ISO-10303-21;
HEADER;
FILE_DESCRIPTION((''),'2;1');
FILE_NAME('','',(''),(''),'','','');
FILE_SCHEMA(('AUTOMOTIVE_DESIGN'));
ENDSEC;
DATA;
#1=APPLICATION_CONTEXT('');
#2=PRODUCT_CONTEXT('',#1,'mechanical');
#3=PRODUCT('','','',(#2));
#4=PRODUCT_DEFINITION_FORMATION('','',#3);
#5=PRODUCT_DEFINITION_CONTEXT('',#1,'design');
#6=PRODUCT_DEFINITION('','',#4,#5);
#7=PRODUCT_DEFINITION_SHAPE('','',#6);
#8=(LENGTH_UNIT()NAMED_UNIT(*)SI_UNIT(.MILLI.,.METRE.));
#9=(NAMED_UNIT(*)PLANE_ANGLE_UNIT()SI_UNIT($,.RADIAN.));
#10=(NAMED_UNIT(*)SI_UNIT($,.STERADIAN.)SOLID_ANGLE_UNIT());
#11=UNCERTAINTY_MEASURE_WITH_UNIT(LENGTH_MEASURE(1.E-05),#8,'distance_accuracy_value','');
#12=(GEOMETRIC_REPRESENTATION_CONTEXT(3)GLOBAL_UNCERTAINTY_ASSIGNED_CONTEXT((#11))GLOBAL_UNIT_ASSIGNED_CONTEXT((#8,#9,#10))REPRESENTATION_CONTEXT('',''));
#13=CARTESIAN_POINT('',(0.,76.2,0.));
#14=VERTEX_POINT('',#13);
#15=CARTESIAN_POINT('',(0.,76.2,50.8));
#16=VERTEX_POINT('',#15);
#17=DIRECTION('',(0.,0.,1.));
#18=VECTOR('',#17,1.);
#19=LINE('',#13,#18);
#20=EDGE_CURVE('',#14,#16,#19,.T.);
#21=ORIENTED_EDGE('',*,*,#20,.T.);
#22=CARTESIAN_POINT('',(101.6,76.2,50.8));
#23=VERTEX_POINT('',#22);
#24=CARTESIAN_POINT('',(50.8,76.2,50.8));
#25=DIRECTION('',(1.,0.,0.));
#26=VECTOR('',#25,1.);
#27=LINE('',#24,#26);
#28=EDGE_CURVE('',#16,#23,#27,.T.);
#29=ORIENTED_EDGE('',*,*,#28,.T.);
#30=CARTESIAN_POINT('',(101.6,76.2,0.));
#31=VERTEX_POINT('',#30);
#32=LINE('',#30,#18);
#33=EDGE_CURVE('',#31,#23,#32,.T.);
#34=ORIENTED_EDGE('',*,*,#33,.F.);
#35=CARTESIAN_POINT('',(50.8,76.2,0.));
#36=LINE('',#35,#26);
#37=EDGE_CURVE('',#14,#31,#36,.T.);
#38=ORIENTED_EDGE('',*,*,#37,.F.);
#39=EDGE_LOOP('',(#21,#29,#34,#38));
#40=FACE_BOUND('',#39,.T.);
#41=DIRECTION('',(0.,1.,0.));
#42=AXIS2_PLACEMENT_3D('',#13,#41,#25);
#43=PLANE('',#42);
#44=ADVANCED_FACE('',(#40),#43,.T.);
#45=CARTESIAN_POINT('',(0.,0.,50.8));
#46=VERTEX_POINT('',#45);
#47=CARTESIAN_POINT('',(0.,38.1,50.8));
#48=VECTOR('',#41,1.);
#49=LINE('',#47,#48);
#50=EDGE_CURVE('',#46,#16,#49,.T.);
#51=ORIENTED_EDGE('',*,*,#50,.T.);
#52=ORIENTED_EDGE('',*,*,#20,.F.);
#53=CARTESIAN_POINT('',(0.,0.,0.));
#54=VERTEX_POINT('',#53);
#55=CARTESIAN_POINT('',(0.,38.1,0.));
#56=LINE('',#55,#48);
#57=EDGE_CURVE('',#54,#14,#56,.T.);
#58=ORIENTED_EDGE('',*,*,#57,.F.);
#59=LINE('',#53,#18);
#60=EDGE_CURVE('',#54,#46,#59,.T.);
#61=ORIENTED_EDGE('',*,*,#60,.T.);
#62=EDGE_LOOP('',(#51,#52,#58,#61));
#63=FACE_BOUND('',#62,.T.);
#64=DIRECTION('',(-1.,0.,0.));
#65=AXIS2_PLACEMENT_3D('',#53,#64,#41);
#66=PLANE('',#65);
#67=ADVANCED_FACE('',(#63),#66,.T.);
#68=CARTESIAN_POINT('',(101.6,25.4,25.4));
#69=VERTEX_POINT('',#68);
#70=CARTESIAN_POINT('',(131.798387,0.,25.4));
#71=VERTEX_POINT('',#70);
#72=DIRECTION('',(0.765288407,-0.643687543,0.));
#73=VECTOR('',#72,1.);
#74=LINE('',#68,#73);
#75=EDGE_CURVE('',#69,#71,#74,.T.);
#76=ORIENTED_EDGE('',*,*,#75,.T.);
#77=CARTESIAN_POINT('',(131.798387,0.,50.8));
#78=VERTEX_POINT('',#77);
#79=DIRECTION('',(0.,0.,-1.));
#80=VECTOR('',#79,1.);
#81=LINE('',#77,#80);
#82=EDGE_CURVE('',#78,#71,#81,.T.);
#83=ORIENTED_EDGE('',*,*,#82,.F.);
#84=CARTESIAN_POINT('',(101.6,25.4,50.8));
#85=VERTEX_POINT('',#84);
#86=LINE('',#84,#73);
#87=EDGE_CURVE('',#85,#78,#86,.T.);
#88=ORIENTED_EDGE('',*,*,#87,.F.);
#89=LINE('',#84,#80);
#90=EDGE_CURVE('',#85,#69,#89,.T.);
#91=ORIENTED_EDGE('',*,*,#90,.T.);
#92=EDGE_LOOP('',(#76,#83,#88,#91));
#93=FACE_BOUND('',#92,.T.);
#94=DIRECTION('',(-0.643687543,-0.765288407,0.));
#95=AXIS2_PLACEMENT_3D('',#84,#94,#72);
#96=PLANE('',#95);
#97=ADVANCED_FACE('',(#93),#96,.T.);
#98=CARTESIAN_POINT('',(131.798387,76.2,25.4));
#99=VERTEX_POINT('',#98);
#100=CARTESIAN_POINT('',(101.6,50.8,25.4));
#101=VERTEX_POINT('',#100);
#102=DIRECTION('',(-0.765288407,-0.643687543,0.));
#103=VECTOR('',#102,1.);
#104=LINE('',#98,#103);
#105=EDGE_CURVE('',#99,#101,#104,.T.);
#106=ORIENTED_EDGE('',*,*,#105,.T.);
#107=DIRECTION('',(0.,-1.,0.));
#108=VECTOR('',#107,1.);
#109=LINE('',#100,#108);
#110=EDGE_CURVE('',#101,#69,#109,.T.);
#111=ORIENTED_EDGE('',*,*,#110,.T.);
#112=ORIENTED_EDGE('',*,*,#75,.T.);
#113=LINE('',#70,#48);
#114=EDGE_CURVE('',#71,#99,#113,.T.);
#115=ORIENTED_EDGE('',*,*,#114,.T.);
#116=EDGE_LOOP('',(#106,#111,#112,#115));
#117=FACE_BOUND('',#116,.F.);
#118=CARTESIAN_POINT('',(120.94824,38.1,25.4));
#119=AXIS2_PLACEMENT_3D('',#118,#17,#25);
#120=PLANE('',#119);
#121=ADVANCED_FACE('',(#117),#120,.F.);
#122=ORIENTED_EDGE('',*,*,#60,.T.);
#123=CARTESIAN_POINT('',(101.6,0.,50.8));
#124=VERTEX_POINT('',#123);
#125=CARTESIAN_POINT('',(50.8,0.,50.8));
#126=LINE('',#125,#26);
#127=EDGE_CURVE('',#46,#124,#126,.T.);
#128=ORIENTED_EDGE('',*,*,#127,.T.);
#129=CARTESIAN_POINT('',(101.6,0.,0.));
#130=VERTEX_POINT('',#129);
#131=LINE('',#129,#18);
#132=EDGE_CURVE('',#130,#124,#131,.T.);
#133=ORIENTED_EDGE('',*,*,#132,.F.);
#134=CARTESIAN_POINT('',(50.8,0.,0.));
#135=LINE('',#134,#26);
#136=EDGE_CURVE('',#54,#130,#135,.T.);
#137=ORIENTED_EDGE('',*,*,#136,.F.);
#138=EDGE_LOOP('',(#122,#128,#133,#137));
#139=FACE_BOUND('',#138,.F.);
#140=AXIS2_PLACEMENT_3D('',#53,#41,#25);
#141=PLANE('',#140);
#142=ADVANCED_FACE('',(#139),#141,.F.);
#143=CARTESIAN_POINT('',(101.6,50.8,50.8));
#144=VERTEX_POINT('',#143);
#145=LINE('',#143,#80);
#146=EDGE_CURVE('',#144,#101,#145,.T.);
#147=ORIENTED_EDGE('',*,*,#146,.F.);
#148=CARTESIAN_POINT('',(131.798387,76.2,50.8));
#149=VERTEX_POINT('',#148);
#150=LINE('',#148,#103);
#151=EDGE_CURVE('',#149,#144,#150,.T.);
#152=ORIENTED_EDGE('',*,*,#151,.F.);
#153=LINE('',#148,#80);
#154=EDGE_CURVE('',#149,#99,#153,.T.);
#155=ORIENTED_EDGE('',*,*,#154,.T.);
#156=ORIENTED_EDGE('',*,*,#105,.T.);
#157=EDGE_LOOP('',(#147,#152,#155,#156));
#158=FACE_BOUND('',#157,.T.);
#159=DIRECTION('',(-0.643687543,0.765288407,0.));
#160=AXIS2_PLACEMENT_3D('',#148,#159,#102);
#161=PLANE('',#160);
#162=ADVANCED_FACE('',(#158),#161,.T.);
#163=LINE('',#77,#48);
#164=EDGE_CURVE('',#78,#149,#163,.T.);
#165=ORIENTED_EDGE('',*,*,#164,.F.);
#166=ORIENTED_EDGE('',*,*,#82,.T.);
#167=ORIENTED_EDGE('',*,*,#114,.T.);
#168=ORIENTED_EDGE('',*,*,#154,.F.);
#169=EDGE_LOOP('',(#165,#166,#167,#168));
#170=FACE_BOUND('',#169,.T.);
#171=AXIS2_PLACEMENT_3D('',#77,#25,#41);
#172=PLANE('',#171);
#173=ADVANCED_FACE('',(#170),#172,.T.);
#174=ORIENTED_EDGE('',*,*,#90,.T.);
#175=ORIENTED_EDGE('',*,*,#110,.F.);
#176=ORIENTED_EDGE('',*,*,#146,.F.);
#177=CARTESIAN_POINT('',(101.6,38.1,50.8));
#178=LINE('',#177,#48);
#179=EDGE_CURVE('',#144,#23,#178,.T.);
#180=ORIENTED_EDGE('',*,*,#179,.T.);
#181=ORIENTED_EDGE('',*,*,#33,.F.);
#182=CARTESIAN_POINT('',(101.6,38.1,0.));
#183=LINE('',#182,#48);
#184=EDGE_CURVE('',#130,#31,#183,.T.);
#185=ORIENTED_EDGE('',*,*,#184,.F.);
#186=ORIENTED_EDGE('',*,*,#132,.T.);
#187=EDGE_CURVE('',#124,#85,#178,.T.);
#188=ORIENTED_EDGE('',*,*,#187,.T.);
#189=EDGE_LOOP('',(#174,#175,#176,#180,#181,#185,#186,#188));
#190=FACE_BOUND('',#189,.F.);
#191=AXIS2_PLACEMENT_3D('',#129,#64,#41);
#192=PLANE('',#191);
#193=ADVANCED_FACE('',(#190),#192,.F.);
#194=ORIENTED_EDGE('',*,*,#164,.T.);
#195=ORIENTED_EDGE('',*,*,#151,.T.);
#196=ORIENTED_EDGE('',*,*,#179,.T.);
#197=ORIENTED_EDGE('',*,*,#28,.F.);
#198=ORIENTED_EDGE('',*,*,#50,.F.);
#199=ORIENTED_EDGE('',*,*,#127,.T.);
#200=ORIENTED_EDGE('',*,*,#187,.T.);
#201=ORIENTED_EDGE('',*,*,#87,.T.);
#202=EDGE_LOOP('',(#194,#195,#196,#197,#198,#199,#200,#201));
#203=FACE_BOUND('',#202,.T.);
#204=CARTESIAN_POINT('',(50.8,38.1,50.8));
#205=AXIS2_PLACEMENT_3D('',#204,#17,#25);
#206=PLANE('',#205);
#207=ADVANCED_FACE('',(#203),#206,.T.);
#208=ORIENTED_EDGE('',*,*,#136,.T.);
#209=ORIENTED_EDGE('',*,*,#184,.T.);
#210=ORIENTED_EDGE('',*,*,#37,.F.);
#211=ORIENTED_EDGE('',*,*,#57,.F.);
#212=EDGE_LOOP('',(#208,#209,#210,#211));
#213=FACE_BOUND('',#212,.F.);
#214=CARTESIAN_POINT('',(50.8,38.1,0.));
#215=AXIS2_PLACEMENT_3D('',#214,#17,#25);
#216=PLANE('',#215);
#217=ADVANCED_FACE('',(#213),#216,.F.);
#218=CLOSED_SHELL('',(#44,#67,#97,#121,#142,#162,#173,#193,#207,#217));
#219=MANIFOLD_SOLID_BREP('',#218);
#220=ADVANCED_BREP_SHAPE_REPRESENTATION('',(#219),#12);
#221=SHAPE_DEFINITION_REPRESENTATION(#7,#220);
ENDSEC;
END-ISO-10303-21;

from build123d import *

# Parameters (mm, degrees)
F0_W     = 101.6
F0_H     = 76.2
F1_DEPTH = 50.8
F3_DEPTH = 25.4


with BuildPart() as f1:
    # F0 (on Top) → F1 (new body)
    with BuildSketch(Plane.XY):
        with Locations((50.8, 38.1)):
            Rectangle(F0_W, F0_H)
    extrude(amount=F1_DEPTH)

    # F2 (on face) → F3 (join)
    with BuildSketch(Plane.XY.offset(50.8)):
        Polygon((101.6, 50.8), (101.6, 25.4), (131.798387, 0), (131.798387, 76.2), align=None)
    extrude(amount=-F3_DEPTH)


solid = f1.part
